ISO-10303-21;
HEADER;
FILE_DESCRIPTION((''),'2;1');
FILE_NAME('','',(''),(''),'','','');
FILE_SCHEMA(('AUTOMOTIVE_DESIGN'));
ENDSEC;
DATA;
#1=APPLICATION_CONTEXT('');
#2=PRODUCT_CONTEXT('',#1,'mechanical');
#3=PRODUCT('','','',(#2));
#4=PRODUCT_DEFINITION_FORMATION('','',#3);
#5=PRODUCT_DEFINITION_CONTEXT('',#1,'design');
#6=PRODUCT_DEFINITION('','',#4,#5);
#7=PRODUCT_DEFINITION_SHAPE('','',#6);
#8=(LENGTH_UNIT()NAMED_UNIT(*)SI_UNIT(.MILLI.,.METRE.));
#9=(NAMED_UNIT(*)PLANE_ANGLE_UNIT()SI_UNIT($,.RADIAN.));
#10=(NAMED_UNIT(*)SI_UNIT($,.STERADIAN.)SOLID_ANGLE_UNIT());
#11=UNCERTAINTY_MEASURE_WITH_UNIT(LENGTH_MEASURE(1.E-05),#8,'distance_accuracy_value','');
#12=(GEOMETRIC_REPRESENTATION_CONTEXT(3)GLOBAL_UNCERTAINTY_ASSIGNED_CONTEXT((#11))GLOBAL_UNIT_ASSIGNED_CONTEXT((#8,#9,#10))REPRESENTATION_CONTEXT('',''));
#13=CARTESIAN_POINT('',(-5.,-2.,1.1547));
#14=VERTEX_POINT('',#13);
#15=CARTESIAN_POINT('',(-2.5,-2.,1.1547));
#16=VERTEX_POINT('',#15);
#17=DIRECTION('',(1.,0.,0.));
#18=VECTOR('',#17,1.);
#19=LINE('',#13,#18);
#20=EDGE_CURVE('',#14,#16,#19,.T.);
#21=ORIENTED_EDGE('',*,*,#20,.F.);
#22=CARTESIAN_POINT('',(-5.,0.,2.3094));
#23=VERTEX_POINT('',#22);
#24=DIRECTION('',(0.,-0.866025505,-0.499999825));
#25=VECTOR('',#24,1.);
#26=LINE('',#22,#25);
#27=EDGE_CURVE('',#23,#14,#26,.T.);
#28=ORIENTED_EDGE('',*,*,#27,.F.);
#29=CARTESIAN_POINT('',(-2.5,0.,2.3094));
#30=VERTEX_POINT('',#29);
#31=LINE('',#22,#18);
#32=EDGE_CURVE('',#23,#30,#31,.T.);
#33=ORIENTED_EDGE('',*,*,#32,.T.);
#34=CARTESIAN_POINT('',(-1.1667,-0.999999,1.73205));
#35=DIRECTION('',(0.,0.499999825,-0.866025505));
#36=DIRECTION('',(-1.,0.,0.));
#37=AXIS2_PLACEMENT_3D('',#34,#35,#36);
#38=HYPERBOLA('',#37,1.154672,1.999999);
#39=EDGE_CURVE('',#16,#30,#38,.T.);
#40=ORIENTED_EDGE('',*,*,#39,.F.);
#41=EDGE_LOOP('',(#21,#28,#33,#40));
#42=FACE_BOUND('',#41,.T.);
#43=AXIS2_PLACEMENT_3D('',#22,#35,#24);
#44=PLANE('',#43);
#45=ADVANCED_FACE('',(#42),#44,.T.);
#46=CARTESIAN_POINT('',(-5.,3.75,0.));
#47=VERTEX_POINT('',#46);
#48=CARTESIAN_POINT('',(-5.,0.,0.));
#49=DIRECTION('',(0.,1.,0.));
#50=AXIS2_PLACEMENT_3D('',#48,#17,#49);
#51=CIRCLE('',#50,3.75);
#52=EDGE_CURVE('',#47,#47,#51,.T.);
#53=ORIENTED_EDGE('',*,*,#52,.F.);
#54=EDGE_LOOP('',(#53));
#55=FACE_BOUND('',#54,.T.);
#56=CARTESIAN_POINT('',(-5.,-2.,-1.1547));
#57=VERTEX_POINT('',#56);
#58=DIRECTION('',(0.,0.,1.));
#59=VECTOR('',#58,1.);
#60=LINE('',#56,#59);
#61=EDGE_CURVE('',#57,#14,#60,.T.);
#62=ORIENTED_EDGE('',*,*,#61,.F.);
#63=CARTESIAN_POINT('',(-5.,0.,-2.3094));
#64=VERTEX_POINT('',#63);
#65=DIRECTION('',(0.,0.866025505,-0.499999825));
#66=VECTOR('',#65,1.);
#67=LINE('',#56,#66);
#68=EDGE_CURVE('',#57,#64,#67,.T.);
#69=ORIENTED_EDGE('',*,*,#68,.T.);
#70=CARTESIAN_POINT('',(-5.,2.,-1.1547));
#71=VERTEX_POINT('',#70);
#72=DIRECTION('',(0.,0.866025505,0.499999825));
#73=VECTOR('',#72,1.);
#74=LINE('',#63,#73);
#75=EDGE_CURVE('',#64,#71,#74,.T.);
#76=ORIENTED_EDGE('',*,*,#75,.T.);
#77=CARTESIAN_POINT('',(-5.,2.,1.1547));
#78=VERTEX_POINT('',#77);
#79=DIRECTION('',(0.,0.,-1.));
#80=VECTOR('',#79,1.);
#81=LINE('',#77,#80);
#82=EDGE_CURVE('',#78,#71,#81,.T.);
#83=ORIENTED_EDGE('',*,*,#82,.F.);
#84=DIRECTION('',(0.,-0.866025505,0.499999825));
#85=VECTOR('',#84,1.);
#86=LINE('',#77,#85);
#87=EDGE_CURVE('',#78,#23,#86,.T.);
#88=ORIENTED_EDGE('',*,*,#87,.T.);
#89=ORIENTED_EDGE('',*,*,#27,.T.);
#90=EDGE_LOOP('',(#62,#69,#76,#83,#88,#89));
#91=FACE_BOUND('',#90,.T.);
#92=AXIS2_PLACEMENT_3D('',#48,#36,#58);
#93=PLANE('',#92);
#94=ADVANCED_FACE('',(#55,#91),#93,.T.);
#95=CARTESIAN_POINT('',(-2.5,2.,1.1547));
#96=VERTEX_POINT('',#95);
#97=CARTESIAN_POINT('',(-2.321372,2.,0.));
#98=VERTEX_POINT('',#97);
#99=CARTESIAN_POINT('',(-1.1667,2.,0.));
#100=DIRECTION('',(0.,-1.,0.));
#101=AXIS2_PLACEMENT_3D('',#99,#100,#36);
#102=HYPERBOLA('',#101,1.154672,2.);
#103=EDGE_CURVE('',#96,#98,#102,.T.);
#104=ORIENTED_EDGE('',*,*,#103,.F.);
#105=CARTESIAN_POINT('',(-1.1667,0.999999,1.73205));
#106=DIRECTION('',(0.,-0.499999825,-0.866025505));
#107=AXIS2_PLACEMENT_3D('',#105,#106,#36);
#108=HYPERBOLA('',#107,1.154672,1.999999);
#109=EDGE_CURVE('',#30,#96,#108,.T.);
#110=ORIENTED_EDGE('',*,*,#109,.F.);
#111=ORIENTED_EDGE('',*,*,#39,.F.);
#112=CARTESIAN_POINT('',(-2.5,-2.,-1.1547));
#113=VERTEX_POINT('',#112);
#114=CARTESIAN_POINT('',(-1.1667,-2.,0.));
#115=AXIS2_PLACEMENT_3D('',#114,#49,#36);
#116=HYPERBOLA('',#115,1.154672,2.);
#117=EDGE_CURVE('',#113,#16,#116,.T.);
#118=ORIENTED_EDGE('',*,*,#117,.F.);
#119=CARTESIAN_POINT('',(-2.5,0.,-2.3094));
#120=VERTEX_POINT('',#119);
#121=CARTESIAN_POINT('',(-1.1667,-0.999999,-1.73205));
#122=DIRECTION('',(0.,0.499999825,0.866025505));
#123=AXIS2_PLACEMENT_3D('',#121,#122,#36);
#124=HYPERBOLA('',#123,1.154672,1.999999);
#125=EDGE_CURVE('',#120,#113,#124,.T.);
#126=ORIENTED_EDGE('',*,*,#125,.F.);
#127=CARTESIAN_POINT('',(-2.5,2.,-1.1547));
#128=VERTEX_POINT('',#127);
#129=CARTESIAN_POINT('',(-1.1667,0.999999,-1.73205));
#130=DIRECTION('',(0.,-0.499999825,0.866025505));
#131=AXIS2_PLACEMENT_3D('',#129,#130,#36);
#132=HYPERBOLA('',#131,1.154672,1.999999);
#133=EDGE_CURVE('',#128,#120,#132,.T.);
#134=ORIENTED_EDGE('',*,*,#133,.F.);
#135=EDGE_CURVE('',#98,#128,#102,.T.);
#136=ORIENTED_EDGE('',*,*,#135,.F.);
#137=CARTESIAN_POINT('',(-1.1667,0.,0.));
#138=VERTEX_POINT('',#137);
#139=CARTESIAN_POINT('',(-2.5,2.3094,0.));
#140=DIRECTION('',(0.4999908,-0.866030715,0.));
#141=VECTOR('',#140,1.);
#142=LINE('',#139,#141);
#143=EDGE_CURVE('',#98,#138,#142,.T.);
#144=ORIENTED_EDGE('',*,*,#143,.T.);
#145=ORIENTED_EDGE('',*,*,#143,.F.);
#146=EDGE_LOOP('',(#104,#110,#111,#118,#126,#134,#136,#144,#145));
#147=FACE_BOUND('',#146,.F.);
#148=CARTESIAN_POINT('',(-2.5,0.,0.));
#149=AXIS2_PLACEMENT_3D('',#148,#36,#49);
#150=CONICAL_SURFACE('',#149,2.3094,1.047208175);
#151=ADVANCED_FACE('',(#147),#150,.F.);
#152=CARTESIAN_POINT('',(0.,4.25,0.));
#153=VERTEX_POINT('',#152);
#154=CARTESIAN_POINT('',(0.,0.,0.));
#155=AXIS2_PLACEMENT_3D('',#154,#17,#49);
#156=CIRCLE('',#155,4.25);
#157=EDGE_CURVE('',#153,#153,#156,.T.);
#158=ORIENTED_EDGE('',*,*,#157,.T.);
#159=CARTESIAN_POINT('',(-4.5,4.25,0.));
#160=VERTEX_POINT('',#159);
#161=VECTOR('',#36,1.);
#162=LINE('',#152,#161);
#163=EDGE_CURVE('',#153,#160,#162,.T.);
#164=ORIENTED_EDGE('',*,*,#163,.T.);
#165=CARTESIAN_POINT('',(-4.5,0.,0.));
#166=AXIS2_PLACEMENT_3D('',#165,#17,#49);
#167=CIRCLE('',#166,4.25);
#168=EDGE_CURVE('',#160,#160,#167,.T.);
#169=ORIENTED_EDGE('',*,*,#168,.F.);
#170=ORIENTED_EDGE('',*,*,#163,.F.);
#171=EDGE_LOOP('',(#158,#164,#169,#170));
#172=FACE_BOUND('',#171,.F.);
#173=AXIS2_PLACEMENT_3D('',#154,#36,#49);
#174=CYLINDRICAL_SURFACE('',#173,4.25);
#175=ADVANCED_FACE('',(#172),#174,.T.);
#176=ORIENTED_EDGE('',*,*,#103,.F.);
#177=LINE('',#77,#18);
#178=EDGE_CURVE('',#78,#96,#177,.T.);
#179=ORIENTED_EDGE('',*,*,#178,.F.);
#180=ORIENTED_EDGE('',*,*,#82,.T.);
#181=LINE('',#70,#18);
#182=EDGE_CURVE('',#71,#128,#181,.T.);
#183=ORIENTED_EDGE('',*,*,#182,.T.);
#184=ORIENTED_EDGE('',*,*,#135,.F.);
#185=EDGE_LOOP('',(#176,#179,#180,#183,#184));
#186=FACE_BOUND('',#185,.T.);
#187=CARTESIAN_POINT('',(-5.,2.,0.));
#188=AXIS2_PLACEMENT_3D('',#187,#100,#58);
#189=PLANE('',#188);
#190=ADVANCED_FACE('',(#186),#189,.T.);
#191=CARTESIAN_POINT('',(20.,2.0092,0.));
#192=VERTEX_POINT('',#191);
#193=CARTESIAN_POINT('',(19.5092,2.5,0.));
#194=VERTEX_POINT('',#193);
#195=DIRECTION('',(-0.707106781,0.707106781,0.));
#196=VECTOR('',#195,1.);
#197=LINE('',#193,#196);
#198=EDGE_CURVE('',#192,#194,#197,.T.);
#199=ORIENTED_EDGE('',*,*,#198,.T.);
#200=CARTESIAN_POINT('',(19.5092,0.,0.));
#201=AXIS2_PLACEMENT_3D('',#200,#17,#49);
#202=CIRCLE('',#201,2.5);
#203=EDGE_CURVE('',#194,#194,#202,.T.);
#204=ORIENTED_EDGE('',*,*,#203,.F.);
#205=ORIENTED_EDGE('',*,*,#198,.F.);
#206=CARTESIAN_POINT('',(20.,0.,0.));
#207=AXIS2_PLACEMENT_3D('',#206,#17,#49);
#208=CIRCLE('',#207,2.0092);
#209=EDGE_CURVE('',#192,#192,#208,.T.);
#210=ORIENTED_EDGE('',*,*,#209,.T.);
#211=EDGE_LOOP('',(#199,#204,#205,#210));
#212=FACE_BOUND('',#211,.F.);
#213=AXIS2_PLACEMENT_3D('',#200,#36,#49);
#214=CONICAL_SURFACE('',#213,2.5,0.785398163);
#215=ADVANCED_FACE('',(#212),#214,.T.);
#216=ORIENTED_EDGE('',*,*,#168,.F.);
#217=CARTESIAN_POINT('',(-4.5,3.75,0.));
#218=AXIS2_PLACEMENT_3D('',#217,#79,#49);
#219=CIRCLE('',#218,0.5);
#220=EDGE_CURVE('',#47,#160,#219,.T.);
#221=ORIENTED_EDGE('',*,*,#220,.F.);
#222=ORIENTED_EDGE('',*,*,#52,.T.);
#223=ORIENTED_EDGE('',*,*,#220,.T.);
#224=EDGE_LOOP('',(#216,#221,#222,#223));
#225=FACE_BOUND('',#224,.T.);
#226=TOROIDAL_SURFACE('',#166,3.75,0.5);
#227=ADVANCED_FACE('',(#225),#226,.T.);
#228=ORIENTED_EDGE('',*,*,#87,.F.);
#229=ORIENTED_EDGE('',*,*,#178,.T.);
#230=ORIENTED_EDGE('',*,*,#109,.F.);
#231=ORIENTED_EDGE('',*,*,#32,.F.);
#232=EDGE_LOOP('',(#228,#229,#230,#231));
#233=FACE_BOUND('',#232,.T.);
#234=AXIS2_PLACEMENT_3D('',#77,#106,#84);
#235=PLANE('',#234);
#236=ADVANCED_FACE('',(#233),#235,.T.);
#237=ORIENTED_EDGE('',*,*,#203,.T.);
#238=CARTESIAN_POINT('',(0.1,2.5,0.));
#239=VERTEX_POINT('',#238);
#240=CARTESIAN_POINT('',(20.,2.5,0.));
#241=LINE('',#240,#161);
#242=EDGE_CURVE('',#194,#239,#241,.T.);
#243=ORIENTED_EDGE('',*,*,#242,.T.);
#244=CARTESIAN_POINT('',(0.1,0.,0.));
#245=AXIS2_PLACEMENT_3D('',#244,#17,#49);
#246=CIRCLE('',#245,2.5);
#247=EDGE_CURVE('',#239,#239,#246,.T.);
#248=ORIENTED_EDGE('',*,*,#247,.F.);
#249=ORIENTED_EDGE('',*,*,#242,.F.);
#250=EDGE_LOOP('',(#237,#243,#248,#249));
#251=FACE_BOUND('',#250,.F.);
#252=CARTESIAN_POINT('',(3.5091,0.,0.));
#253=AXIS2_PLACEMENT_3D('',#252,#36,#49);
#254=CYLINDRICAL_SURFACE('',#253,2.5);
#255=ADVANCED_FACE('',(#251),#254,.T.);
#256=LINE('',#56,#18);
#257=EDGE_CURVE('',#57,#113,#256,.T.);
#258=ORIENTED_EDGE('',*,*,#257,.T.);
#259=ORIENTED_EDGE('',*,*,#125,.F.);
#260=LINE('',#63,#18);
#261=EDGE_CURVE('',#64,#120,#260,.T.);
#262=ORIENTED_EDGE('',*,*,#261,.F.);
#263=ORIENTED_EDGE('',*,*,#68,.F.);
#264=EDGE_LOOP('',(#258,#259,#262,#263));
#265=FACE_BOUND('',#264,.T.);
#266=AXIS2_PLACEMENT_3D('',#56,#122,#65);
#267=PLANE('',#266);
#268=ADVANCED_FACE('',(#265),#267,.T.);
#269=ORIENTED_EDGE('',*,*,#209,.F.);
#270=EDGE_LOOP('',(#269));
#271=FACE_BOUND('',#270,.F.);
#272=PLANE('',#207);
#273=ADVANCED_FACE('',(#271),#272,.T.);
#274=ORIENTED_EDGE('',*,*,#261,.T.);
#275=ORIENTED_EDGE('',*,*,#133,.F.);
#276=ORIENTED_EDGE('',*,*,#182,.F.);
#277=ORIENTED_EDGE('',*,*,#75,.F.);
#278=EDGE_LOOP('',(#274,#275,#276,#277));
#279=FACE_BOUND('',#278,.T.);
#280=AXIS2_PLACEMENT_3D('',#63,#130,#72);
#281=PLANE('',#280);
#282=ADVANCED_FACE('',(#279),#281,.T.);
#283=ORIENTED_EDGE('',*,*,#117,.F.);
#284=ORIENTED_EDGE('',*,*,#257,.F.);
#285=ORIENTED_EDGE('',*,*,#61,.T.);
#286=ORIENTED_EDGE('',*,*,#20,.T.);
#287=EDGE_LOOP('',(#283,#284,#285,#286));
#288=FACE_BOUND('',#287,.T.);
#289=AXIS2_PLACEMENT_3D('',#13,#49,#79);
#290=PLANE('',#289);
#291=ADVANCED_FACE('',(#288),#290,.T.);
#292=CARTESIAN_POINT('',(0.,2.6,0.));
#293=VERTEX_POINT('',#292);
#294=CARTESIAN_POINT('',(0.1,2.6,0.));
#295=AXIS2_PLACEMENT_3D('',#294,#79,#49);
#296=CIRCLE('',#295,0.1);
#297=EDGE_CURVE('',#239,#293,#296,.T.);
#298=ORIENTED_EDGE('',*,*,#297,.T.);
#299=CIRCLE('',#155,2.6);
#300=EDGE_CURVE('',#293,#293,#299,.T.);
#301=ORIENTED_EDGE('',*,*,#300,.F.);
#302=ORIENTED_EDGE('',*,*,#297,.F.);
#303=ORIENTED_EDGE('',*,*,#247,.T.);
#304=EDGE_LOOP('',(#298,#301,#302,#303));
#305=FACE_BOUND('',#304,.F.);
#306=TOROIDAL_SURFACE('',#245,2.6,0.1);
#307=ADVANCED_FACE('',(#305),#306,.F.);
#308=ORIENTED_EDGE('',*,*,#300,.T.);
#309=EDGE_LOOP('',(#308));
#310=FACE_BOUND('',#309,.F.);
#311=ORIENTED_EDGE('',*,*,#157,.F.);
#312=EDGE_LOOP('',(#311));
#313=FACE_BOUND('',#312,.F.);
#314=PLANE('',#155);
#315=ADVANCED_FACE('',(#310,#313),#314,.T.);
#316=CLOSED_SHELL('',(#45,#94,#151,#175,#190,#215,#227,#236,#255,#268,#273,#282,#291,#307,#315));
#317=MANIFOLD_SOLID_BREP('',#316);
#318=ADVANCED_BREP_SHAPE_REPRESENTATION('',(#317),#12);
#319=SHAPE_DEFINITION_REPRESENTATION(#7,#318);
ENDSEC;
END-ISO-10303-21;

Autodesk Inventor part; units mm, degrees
ref_plane "YZ Plane" through (0, 0, 0) normal (1, 0, 0) x (0, 1, 0)
ref_plane "XZ Plane" through (0, 0, 0) normal (0, 1, 0) x (-1, 0, 0)
sketch "Szkic1" plane through (0, 0, 0) normal (0, 0, 1) x (1, 0, 0)
  line L0 (-1.1667, 0) -> (20, 0)
  line L1 (20, 0) -> (20, 2.5)
  line L2 (20, 2.5) -> (4, 2.5)
  line L3 (4, 2.5) -> (3.5091, 2.5)
  line L4 (3.5091, 2.5) -> (0, 2.5)
  line L5 (0, 2.5) -> (0, 4.25)
  line L6 (0, 4.25) -> (-5, 4.25)
  line L7 (-5, 4.25) -> (-5, 2.3094)
  line L8 (-5, 2.3094) -> (-2.5, 2.3094)
  line L9 (-2.5, 2.3094) -> (-1.1667, 0)
  line L10 (-10, 0) -> (25, 0) projected
  line L11 (0, -0.85) -> (0, 5.1) projected
  line L12 (4, 2.5) -> (0, 2.5) construction
  dimension "d1" = 16
  dimension "d2" = 0.4909
  dimension "d3" = 5
  dimension "d4" = 2.5
  dimension "d5" = 60
  dimension "d6" = 5
  dimension "d7" = 5
  dimension "d8" = 4.6188
  dimension "d9" = 8.5
  dimension "d26" = 20
revolve "Bryła" add sketch "Szkic1" angle 360 about axis through (-1.1667, 0, 0) along (1, 0, 0)
sketch "Szkic2" plane through (-5, 0, 0) normal (-1, 0, 0) x (0, 0, 1)
  circle A0 centre (0, 0) radius 2.3094 projected
  line L0 (0, -5.95) -> (0, 5.95) projected
  line L1 (-5.95, 0) -> (5.95, 0) projected
  line L2 (2.3094, 0) -> (1.1547, -2)
  line L3 (1.1547, -2) -> (-1.1547, -2)
  line L4 (-1.1547, -2) -> (-2.3094, 0)
  line L5 (-2.3094, 0) -> (-1.1547, 2)
  line L6 (-1.1547, 2) -> (1.1547, 2)
  line L7 (1.1547, 2) -> (2.3094, 0)
extrude "Szczelina" add sketch "Szkic2" against normal up to next contours L7 A0 | A0 L2 | L6 L0 A0 | A0 L0 L3 | L0 L6 A0 | A0 L3 L0 | L4 A0 | A0 L5
fillet "Zaokrąglenie1" radius 0.5 1 edges at (-5, -4.25, 0)
thread "Gwint" size "M5x0.8" class "6g" standard "ISO Metric profile" length 16
chamfer "Faza1" distance 0.4908 distance2 0.4908 1 edges at (20, -2.5, 0) measured on face at (20, -0.7379, -0.3873)
ref_plane "Work Plane1" through (29, 0, 0) normal (0, -1, 0) x (1, 0, 0)
fillet "Fillet2" radius 0.1 1 edges at (0, -2.5, 0)
equation "\"d1\" = GEL"
equation "\"d3\" = KOH"
equation "\"d4\" = INTI"
equation "\"d6\" = GD"
equation "\"d7\" = BDM"
equation "\"d8\" = 1.1547 * SW"
equation "\"d9\" = KOD"
equation "\"d26\" = NLG"
equation "\"d30\" = R"
equation "\"d17\" = RR"
equation "\"d13\" = GEL"
equation "\"d15\" = -0.5 * SPD + 0.5 * GD"
equation "\"d16\" = GUL"
equation "\"GD\" = NND"
equation "\"NLG\" = 20"
equation "\"GEL\" = 16"
equation "\"KOD\" = 8.5"
equation "\"KOH\" = NND"
equation "\"INTI\" = 2.5"
equation "\"GAL\" = 0.61345 * PTC"
equation "\"GUL\" = 0.61345 * PTC"
equation "\"BDM\" = NND"
equation "\"SW\" = 4"
equation "\"RR\" = 0.1 * NND"
equation "\"SPD\" = NND - 1.2269 * PTC"
equation "\"R\" = 0.1"
equation "\"PHH\" = 0.13"
equation "\"GD1\" = THREADDIA - 1.2269 * PTC"
equation "\"THREADDIA\" = 5"
equation "\"FAWI\" = 45deg"
equation "\"PTC\" = 0.8"
equation "\"KOH1\" = 4.5"
equation "\"NND\" = 5"
equation "\"TOA\" = 30deg"
equation "\"E0\" = 1.155 * SW"
properties part number "AS 1420 - 1973 - M5 x 20" material "Stal, miękka"
